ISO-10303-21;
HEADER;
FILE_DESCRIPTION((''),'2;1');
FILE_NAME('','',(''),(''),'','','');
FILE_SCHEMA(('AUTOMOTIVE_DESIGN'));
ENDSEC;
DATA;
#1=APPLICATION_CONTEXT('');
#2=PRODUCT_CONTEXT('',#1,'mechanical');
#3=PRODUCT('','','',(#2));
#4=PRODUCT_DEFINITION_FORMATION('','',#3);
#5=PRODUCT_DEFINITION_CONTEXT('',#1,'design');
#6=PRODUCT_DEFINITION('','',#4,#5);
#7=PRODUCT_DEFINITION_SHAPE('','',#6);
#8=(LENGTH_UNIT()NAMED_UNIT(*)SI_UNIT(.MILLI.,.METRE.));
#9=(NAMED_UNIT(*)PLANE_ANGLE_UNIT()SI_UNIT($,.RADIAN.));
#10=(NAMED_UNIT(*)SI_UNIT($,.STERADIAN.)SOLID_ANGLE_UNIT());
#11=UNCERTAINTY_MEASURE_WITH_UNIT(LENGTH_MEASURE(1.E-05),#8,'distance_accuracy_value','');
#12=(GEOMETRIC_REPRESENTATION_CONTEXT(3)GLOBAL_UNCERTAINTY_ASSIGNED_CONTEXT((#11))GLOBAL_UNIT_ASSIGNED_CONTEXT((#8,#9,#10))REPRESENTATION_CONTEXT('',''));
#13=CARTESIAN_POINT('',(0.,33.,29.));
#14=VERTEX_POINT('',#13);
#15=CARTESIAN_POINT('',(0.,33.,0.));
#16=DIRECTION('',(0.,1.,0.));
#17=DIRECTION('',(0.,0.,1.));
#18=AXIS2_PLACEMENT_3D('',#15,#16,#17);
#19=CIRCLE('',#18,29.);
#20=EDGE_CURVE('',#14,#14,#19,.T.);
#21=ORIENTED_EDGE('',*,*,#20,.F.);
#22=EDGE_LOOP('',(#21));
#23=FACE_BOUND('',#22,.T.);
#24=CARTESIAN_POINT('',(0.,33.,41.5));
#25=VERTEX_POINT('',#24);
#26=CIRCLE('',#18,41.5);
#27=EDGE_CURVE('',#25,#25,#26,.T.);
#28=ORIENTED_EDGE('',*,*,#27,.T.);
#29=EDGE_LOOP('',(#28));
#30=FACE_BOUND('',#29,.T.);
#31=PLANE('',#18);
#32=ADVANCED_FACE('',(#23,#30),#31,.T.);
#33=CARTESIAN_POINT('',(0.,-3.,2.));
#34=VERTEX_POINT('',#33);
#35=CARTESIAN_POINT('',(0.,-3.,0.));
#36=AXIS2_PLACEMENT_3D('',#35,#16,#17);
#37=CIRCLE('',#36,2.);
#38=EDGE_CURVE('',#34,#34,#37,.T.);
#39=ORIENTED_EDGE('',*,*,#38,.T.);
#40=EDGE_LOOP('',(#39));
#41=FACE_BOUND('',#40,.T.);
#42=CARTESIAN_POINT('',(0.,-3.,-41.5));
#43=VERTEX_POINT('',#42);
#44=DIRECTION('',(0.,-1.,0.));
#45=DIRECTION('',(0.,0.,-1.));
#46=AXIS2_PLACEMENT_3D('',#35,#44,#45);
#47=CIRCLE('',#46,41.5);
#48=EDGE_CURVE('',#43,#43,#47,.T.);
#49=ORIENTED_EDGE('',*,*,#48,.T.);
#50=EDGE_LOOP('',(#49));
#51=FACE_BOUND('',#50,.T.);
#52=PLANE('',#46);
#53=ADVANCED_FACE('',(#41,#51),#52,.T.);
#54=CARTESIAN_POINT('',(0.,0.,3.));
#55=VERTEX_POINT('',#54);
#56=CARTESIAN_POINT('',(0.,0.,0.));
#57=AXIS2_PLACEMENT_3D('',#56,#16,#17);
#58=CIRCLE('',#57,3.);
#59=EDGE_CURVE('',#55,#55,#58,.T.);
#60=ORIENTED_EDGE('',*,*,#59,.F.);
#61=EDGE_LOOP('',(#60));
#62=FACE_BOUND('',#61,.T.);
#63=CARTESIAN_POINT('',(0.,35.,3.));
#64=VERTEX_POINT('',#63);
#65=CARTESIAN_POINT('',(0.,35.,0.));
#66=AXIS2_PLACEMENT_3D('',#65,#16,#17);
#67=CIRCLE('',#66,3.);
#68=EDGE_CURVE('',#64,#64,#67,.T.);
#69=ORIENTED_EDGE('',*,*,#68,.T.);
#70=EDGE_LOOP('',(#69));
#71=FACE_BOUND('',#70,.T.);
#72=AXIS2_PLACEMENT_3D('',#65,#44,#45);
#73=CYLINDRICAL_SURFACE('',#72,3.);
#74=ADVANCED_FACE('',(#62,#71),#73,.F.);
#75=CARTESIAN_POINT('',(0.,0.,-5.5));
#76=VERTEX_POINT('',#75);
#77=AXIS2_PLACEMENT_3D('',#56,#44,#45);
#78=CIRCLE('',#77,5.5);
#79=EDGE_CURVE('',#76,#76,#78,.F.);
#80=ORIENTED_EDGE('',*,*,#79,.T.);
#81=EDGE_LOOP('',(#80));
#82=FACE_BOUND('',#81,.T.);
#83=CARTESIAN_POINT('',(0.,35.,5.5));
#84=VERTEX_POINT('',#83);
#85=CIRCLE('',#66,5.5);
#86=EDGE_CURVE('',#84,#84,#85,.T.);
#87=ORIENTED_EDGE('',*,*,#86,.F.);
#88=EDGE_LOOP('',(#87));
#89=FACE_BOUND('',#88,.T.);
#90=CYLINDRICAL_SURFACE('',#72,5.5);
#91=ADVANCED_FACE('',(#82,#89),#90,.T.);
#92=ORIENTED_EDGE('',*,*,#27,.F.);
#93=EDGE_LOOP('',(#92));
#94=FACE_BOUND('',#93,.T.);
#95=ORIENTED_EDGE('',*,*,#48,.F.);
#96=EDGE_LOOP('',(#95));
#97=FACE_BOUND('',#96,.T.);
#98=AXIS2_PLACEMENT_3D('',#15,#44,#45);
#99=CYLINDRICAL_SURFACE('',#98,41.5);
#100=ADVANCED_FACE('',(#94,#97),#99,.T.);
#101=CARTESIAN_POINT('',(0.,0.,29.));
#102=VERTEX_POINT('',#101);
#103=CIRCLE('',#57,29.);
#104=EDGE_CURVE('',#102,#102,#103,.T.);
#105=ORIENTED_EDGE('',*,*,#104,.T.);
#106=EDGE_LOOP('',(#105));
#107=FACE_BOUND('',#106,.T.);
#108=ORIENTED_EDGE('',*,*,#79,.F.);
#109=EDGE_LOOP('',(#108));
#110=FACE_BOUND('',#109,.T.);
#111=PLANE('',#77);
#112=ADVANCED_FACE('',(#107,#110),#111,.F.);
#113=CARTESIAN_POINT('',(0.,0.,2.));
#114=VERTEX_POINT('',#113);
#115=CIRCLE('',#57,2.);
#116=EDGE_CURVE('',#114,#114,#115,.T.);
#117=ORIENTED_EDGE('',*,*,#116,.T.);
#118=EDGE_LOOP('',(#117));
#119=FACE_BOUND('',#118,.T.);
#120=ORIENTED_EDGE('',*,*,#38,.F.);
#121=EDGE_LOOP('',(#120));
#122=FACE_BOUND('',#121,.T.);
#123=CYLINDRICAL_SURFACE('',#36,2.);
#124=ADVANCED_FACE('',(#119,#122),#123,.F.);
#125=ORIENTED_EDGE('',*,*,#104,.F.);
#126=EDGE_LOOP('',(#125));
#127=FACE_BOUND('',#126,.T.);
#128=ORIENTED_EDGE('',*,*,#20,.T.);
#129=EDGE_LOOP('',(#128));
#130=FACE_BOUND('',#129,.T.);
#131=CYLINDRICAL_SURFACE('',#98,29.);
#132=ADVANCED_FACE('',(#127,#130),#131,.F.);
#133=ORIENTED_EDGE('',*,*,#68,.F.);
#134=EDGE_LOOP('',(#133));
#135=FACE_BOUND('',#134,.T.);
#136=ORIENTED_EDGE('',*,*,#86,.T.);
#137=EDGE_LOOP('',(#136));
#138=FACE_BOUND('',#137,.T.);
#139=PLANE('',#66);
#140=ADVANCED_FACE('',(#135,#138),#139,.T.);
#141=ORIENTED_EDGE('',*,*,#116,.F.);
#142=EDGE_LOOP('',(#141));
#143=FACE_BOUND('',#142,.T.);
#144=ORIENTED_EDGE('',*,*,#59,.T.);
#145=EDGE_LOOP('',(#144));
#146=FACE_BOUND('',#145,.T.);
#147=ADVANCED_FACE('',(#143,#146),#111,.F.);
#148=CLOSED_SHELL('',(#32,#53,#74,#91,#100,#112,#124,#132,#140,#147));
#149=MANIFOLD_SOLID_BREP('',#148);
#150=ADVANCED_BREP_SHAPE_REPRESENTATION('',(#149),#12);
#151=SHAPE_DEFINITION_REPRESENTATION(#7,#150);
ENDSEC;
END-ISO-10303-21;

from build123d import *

# Parameters (mm, degrees)
SKETCH_1_R          = 41.5
SKETCH_1_R_2        = 29
EXTRUDE_1_DEPTH     = 33
SKETCH_2_R          = 41.5
EXTRUDE_2_DEPTH     = 3
SKETCH_3_R          = 2
CUT_EXTRUDE_1_DEPTH = 4
SKETCH_4_R          = 5.5
SKETCH_4_R_2        = 3
EXTRUDE_3_DEPTH     = 35


with BuildPart() as part:
    # 草图1 → 凸台-拉伸1 (new body)
    with BuildSketch(Plane(origin=(0, 0, 0), x_dir=(1, 0, 0), z_dir=(0, 1, 0))):
        Circle(SKETCH_1_R)
        Circle(SKETCH_1_R_2, mode=Mode.SUBTRACT)
    extrude(amount=EXTRUDE_1_DEPTH)

    # 草图2 → 凸台-拉伸2 (add)
    with BuildSketch(Plane.XZ):
        Circle(SKETCH_2_R)
    extrude(amount=EXTRUDE_2_DEPTH)

    # 草图3 → 切除-拉伸1 (cut, through all)
    with BuildSketch(Plane(origin=(0, 0, 0), x_dir=(1, 0, 0), z_dir=(0, 1, 0))):
        Circle(SKETCH_3_R)
    extrude(amount=-CUT_EXTRUDE_1_DEPTH, mode=Mode.SUBTRACT)

    # 草图4 → 凸台-拉伸3 (add)
    with BuildSketch(Plane(origin=(0, 0, 0), x_dir=(1, 0, 0), z_dir=(0, 1, 0))):
        Circle(SKETCH_4_R)
        Circle(SKETCH_4_R_2, mode=Mode.SUBTRACT)
    extrude(amount=EXTRUDE_3_DEPTH)


solid = part.part
